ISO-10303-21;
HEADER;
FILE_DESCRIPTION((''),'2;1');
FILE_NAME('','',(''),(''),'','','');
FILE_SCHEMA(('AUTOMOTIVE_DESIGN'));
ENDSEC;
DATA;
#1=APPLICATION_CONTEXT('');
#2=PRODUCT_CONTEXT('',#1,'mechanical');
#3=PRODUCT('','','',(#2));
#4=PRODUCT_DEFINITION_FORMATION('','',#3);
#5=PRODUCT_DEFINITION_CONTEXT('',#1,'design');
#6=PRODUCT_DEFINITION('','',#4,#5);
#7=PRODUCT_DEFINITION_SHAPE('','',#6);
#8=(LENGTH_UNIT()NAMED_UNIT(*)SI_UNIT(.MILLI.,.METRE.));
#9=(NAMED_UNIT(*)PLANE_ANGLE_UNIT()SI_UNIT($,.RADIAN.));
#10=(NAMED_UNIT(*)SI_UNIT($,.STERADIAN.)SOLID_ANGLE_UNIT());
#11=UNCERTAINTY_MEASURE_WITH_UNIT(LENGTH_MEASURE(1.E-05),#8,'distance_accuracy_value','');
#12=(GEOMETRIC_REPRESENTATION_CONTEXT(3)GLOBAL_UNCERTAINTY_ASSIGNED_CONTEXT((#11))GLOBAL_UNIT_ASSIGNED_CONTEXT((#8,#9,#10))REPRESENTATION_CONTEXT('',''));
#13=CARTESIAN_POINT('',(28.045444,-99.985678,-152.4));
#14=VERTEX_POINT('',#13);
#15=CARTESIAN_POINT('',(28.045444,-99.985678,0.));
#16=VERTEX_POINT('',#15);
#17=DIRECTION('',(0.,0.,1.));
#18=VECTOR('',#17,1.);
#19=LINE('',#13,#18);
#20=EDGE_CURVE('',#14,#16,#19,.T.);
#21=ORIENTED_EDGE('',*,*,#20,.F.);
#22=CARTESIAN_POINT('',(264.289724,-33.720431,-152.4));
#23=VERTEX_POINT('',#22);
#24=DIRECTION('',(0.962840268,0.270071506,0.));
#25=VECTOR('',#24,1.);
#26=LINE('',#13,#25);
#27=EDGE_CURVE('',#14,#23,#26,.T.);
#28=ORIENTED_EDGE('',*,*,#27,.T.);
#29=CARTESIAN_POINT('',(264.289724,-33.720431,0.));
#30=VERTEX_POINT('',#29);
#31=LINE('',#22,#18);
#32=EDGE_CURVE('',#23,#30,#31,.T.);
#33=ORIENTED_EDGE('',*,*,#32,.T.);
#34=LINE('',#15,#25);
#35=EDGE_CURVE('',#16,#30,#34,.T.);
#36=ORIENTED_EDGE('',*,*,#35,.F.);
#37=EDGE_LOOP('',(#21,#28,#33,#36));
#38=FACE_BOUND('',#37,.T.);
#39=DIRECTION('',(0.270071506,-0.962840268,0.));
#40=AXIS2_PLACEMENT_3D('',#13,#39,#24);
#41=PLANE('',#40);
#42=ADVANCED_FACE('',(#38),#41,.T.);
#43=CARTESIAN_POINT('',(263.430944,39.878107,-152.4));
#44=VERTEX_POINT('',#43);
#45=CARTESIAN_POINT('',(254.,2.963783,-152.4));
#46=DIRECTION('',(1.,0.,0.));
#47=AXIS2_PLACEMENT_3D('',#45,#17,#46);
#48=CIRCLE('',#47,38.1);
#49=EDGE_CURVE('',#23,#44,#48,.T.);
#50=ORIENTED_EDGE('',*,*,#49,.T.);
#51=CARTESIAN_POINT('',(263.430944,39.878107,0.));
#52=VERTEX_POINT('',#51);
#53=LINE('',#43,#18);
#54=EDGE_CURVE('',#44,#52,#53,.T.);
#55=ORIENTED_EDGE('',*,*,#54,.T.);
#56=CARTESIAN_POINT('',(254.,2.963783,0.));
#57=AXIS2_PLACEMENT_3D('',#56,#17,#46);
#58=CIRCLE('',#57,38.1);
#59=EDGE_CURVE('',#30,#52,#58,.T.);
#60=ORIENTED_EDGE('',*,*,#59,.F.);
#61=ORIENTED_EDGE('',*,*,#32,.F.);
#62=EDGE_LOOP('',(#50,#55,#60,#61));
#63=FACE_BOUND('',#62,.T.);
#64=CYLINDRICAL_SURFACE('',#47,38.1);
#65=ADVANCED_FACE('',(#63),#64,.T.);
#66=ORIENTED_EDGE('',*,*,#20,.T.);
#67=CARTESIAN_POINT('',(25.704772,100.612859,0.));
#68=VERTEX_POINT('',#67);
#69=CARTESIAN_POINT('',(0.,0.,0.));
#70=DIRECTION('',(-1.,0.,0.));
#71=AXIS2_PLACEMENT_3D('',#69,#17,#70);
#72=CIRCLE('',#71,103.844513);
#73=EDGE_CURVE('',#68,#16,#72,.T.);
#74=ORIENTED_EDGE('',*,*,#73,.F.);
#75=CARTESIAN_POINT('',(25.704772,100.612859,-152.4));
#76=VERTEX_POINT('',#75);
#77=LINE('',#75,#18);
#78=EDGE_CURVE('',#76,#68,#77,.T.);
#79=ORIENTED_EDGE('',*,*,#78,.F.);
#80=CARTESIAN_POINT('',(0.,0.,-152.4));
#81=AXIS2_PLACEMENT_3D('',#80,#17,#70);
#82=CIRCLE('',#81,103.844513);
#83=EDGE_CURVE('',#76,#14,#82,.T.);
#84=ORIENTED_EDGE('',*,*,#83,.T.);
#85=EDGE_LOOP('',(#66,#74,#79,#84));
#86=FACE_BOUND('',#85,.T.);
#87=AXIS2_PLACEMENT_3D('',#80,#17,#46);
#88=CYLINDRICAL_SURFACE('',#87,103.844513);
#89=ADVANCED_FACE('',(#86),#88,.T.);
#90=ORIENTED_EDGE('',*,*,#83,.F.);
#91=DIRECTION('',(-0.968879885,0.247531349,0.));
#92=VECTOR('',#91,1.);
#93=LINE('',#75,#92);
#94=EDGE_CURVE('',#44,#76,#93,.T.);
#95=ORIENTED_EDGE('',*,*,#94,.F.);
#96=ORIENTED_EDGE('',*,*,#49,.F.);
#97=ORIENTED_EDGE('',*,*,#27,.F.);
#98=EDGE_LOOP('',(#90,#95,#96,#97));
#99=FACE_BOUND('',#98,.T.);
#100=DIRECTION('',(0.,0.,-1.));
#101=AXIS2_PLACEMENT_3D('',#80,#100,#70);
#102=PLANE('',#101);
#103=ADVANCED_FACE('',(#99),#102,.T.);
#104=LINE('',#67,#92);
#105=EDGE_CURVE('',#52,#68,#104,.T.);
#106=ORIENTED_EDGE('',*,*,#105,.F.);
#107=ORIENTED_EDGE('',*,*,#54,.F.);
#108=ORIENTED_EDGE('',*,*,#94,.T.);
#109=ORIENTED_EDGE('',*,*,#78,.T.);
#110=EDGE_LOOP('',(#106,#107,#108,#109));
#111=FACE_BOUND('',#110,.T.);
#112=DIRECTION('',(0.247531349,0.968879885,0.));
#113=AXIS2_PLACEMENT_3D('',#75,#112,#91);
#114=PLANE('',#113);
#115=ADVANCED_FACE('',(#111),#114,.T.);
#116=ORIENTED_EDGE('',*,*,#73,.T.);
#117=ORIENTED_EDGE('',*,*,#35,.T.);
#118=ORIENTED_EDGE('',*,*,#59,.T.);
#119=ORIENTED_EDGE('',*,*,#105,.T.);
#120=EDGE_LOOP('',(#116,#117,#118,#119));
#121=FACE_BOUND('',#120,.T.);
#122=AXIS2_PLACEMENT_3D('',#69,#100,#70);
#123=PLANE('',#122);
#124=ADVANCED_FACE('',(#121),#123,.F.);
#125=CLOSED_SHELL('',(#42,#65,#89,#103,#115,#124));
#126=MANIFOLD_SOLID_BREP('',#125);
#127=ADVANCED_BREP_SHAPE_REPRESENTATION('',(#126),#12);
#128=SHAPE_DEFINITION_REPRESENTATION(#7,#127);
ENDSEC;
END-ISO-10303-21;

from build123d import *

# Parameters (mm, degrees)
BOSS_EXTRUDE1_DEPTH = 152.4


with BuildPart() as part:
    # Sketch1 → Boss-Extrude1 (new body)
    with BuildSketch(Plane.XY):
        with BuildLine():
            Line((28.045443959, -99.985678365), (264.289724394, -33.720430823))
            ThreePointArc((264.289724394, -33.720430823), (292.097406561, 3.408320629), (263.43094438, 39.878107))
            Line((263.43094438, 39.878107), (25.704772254, 100.612859458))
            ThreePointArc((25.704772254, 100.612859458), (-103.837444017, -1.211620831), (28.045443959, -99.985678365))
        make_face()
    extrude(amount=-BOSS_EXTRUDE1_DEPTH)


solid = part.part
